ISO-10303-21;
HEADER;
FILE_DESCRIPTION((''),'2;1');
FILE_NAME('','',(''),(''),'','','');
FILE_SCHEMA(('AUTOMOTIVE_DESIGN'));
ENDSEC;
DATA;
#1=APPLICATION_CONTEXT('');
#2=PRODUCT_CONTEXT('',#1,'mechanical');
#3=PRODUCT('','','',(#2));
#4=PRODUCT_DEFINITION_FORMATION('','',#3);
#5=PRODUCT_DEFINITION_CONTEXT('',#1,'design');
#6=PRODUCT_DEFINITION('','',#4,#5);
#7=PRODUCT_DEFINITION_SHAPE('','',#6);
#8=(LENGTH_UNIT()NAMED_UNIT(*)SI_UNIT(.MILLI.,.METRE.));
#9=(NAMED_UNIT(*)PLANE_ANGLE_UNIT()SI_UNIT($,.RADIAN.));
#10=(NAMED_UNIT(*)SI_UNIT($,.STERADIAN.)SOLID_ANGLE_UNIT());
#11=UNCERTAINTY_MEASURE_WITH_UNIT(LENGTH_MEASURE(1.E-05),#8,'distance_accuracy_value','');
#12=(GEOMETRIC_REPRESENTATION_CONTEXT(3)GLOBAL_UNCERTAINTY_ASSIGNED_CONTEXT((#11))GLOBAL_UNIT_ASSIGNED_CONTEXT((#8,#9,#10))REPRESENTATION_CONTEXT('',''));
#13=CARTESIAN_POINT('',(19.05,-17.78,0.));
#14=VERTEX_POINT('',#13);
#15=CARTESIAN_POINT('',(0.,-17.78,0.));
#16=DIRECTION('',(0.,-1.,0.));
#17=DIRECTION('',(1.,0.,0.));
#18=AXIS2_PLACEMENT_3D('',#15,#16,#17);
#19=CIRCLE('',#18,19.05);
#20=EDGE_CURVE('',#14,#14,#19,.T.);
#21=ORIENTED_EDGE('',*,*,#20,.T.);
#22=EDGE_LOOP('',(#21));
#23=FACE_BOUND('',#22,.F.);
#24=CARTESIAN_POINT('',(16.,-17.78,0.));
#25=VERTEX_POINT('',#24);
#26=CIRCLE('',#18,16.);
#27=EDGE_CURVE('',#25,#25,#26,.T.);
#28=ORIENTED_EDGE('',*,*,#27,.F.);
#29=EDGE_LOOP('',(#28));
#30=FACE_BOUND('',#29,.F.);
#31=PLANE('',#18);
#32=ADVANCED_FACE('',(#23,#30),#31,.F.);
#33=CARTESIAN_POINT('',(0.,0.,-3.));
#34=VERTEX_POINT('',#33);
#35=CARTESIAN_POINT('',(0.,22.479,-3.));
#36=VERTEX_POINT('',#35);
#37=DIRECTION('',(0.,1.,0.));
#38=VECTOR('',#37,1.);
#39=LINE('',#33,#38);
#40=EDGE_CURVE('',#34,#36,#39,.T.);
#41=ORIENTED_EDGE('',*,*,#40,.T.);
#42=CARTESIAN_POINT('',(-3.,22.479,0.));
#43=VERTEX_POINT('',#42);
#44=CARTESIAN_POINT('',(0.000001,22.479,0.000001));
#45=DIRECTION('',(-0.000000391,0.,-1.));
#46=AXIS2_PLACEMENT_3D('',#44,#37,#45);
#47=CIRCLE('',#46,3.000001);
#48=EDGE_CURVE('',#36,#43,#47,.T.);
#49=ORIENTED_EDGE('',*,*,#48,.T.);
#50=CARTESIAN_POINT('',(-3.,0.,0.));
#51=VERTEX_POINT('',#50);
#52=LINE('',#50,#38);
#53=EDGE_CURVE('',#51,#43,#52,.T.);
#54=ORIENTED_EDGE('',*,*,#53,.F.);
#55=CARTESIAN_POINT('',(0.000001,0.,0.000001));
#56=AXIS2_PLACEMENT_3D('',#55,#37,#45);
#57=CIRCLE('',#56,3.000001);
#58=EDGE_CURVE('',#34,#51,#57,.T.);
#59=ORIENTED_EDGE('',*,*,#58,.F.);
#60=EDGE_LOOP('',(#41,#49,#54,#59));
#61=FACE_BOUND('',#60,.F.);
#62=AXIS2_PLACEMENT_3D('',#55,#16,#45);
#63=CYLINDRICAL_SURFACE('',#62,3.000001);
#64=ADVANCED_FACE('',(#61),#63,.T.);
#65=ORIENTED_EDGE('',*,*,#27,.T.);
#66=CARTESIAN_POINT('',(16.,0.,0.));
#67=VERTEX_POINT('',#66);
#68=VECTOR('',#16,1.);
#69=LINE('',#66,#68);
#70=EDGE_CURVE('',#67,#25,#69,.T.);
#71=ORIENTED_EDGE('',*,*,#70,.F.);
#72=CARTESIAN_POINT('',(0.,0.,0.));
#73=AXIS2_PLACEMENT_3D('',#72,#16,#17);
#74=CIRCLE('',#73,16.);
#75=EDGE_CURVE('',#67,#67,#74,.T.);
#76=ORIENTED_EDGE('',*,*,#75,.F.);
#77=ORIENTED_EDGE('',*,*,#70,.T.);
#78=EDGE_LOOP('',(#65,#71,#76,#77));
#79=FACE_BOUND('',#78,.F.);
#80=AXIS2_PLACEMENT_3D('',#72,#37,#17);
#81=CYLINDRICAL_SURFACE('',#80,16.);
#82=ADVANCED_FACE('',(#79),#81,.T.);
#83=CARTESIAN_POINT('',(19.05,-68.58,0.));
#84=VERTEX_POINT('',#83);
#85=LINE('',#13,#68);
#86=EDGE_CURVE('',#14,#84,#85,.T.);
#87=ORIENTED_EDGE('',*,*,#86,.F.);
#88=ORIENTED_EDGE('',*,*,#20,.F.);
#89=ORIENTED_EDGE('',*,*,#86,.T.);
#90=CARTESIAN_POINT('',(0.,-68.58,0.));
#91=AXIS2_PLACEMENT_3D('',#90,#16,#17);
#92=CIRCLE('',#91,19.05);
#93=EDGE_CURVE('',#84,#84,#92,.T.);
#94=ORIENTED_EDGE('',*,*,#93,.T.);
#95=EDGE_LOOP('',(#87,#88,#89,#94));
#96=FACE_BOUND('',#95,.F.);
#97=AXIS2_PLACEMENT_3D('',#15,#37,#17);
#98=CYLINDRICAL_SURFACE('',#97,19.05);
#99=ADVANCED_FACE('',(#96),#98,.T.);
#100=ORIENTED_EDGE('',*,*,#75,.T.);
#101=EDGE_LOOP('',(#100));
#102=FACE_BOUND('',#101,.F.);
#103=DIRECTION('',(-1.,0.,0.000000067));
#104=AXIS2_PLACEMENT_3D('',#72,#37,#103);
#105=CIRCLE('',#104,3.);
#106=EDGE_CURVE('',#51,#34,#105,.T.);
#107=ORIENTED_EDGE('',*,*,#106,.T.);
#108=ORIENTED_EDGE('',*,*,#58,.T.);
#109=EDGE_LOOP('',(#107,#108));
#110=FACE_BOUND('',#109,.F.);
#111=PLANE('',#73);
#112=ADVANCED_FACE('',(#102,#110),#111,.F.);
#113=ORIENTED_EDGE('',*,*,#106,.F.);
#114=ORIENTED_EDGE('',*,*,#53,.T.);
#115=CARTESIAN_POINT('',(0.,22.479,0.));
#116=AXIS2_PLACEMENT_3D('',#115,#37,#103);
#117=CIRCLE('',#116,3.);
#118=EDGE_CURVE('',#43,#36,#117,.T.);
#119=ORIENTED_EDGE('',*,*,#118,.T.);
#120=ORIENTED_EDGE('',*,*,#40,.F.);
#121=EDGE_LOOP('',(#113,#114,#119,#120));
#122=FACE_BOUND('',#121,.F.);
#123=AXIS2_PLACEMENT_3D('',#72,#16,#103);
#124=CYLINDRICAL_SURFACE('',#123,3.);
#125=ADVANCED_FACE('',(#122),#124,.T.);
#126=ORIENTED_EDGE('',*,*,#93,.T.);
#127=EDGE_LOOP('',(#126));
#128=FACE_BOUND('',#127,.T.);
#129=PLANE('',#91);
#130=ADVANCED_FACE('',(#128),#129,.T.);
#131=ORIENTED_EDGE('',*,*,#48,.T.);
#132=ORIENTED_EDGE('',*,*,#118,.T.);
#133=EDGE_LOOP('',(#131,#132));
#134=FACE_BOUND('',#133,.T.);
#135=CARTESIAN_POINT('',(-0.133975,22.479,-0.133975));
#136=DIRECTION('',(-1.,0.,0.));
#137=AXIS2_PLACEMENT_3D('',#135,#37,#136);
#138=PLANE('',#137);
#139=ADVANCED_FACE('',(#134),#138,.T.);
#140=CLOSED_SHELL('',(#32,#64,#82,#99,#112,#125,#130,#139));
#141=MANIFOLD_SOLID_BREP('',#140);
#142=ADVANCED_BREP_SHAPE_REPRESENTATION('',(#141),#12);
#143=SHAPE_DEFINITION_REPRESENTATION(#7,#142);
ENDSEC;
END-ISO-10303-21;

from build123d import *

# Parameters (mm, degrees)
F0_R     = 16
F1_DEPTH = 17.78
F2_R     = 19.05
F3_DEPTH = 50.8
F5_DEPTH = 22.479


with BuildPart() as f1:
    # F0 (on Front) → F1 (new body)
    with BuildSketch(Plane.XZ):
        Circle(F0_R)
    extrude(amount=F1_DEPTH)

    # F2 (on face) → F3 (join)
    with BuildSketch(Plane.XZ.offset(17.78)):
        Circle(F2_R)
    extrude(amount=F3_DEPTH)

    # F4 (on face) → F5 (join)
    with BuildSketch(Plane(origin=(0, 0, 0), x_dir=(-1, 0, 0), z_dir=(0, 1, 0))):
        with BuildLine():
            ThreePointArc((0, -3), (2.12132, -2.12132), (3, 0))
            ThreePointArc((3, 0), (-2.12132, 2.12132), (0, -3))
        make_face()
    extrude(amount=F5_DEPTH)


solid = f1.part
